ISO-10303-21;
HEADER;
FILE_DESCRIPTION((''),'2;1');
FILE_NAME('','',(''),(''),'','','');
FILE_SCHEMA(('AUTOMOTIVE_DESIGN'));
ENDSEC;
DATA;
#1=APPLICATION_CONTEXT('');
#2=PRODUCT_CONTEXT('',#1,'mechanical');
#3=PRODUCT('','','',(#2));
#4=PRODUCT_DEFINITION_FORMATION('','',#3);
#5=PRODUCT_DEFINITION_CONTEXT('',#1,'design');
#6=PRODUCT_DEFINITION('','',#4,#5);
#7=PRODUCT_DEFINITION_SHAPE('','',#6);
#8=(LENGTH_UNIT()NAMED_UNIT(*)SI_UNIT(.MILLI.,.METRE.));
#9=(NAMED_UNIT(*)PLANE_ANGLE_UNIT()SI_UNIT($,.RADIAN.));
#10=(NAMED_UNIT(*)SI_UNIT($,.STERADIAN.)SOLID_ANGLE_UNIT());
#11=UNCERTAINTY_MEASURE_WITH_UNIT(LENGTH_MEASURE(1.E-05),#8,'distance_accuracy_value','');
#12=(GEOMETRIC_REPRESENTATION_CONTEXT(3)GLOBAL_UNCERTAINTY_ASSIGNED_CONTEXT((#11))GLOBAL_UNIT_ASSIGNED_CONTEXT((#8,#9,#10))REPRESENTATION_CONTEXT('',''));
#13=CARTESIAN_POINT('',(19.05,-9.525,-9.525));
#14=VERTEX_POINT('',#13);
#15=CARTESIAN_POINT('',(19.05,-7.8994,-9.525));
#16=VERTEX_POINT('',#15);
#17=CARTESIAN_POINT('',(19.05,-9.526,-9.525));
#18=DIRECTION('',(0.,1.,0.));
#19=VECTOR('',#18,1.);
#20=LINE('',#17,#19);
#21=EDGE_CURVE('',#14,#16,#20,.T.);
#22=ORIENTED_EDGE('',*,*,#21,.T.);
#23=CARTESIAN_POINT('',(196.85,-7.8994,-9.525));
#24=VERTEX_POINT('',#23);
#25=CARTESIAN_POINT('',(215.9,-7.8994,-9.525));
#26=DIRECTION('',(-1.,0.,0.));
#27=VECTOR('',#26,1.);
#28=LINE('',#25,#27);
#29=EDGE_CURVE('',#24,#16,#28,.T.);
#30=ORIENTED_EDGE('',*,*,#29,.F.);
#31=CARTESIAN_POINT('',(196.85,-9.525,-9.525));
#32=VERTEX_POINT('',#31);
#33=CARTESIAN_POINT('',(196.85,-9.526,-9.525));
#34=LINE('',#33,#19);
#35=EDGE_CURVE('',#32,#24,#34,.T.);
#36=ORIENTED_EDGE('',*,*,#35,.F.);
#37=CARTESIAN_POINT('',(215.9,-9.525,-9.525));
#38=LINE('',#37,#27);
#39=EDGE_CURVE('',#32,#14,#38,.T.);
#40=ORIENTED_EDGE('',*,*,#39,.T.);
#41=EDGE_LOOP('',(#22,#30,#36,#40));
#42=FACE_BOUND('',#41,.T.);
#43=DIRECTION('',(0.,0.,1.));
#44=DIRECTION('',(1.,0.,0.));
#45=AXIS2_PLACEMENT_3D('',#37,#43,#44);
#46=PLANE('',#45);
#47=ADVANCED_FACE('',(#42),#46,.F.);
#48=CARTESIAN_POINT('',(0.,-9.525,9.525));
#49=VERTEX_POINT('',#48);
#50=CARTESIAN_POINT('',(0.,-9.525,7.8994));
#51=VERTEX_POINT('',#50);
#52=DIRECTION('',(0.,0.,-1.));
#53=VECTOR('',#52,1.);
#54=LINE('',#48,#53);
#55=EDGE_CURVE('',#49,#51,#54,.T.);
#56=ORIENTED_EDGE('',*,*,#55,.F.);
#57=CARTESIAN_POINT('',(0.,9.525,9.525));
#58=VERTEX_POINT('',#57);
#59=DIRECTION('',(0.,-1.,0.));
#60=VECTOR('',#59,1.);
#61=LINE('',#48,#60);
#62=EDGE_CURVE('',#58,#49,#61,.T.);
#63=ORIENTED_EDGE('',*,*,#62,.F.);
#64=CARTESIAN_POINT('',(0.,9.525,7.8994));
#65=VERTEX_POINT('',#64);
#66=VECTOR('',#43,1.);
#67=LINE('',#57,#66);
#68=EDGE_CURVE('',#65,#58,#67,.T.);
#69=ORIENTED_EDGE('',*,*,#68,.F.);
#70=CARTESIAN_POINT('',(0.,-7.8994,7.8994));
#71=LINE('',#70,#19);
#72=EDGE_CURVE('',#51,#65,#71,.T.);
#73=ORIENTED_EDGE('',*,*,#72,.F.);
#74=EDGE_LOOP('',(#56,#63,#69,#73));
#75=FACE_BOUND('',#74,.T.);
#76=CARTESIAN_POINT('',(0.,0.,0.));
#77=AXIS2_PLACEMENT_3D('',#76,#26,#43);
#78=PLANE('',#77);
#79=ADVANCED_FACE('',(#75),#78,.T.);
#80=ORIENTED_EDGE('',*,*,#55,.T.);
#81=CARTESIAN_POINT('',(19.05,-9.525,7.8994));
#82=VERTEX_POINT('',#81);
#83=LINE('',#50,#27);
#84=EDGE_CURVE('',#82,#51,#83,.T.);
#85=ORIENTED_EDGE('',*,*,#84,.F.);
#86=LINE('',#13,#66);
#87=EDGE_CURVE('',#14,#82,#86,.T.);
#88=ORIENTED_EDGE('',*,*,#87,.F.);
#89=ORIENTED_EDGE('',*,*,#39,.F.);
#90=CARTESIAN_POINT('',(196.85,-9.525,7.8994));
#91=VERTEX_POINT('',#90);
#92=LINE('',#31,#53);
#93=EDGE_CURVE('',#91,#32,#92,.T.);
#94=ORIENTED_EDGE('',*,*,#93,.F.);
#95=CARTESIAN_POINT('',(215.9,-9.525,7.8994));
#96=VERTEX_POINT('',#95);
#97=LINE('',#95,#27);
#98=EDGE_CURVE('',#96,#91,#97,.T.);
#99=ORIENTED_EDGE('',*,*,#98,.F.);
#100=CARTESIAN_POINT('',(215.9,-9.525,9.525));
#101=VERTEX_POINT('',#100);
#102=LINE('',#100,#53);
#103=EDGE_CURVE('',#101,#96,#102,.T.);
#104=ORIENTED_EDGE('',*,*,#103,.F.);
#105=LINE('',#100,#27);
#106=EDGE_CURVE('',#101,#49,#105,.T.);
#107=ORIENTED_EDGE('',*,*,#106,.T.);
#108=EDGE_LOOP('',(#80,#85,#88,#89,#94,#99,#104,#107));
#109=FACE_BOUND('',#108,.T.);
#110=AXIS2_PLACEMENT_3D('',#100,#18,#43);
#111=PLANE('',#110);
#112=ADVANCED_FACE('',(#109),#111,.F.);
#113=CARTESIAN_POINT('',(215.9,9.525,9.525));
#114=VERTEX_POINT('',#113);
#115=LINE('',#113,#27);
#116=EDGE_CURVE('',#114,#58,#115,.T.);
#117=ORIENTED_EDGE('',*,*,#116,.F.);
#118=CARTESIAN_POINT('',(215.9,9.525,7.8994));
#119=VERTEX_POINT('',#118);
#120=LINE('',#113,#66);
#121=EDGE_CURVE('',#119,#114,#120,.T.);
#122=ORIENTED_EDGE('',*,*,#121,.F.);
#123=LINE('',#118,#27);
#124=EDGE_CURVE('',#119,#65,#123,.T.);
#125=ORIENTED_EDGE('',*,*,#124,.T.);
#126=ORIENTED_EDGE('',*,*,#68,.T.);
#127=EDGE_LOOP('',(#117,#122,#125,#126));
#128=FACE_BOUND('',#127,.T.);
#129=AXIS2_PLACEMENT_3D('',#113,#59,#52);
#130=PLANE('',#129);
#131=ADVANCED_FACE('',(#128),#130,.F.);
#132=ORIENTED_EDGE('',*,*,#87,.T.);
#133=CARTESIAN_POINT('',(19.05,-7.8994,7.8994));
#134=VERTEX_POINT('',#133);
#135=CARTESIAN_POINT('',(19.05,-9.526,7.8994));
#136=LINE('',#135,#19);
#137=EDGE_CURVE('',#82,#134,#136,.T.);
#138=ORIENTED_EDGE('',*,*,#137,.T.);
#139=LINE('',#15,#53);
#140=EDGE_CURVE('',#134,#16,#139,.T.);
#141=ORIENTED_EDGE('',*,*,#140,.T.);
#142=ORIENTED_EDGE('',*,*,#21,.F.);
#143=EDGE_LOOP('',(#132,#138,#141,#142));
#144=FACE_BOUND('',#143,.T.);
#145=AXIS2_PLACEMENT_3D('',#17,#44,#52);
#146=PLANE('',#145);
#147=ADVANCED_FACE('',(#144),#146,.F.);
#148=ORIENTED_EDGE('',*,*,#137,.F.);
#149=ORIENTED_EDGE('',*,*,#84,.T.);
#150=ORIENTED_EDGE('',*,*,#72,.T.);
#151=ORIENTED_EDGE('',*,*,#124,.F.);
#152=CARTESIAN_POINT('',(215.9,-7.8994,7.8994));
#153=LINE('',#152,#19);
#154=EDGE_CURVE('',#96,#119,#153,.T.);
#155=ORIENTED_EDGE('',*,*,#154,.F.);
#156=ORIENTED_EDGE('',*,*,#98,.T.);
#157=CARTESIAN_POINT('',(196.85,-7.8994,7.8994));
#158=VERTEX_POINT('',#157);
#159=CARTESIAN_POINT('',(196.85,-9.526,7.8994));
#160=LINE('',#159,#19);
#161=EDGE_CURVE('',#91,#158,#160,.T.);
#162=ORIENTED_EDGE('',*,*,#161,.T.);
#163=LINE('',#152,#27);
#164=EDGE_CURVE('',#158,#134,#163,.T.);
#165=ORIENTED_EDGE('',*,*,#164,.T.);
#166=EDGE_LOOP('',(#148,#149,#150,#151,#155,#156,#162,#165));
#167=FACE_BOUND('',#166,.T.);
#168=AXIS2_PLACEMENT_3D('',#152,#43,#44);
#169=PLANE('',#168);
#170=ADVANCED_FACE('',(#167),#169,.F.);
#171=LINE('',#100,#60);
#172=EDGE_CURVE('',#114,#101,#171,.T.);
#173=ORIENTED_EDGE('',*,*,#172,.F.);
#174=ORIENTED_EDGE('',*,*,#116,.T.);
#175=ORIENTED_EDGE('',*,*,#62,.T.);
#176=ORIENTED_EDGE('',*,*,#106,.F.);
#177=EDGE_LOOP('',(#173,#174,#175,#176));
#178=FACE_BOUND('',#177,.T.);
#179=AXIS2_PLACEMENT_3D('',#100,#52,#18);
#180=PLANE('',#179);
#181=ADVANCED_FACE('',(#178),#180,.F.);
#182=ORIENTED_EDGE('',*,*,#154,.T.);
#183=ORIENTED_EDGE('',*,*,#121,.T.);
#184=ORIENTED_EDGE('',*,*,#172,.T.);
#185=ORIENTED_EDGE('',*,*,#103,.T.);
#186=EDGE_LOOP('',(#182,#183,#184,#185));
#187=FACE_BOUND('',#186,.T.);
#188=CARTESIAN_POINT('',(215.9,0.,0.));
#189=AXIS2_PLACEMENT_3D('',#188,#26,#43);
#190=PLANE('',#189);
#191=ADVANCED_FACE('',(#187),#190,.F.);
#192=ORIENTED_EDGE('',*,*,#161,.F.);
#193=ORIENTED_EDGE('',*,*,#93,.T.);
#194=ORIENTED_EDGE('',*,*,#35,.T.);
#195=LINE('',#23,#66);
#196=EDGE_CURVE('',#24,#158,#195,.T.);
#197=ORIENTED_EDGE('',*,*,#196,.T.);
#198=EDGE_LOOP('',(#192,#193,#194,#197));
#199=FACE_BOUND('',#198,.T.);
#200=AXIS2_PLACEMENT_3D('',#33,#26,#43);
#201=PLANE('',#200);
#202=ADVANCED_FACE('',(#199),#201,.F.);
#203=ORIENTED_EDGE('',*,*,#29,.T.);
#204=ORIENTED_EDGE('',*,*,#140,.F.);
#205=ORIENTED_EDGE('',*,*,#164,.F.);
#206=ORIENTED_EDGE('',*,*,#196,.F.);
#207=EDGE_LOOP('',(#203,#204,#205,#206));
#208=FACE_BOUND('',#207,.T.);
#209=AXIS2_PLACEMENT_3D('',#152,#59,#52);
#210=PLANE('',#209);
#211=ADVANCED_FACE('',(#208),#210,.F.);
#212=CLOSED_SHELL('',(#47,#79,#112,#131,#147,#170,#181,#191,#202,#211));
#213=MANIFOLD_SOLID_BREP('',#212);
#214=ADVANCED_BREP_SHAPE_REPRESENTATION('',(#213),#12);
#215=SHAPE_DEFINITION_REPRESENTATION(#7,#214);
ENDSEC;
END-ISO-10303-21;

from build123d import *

# Parameters (mm, degrees)
BOSS_EXTRUDE1_DEPTH = 215.9
CUT_EXTRUDE1_REACH  = 218.811
SKETCH2_W           = 19.05
SKETCH2_H           = 17.4244


with BuildPart() as part:
    # Sketch1 → Boss-Extrude1 (new body)
    with BuildSketch(Plane(origin=(0, 0, 0), x_dir=(0, 0, -1), z_dir=(1, 0, 0))):
        Polygon((-7.8994, -7.8994), (9.525, -7.8994), (9.525, -9.525), (-9.525, -9.525), (-9.525, 9.525), (-7.8994, 9.525), align=None)
    extrude(amount=BOSS_EXTRUDE1_DEPTH)

    # Sketch2 → Cut-Extrude1 (cut, up to next)
    with BuildSketch(Plane(origin=(0, -7.8994, 0), x_dir=(1, 0, 0), z_dir=(0, 1, 0)), mode=Mode.PRIVATE) as cut_extrude1_sk1:
        with Locations((9.525, 0.8128)):
            Rectangle(SKETCH2_W, SKETCH2_H)
    cut_extrude1_tool1 = extrude(cut_extrude1_sk1.sketch, amount=-CUT_EXTRUDE1_REACH, mode=Mode.PRIVATE) & part.part
    # Sketch2 → Cut-Extrude1 (cut, up to next)
    with BuildSketch(Plane(origin=(0, -7.8994, 0), x_dir=(1, 0, 0), z_dir=(0, 1, 0)), mode=Mode.PRIVATE) as cut_extrude1_sk2:
        with Locations((206.375, 0.8128)):
            Rectangle(SKETCH2_W, SKETCH2_H)
    cut_extrude1_tool2 = extrude(cut_extrude1_sk2.sketch, amount=-CUT_EXTRUDE1_REACH, mode=Mode.PRIVATE) & part.part
    add(cut_extrude1_tool1.solids().sort_by_distance((9.525, -7.8994, -0.8128))[0], mode=Mode.SUBTRACT)
    add(cut_extrude1_tool2.solids().sort_by_distance((206.375, -7.8994, -0.8128))[0], mode=Mode.SUBTRACT)


solid = part.part
